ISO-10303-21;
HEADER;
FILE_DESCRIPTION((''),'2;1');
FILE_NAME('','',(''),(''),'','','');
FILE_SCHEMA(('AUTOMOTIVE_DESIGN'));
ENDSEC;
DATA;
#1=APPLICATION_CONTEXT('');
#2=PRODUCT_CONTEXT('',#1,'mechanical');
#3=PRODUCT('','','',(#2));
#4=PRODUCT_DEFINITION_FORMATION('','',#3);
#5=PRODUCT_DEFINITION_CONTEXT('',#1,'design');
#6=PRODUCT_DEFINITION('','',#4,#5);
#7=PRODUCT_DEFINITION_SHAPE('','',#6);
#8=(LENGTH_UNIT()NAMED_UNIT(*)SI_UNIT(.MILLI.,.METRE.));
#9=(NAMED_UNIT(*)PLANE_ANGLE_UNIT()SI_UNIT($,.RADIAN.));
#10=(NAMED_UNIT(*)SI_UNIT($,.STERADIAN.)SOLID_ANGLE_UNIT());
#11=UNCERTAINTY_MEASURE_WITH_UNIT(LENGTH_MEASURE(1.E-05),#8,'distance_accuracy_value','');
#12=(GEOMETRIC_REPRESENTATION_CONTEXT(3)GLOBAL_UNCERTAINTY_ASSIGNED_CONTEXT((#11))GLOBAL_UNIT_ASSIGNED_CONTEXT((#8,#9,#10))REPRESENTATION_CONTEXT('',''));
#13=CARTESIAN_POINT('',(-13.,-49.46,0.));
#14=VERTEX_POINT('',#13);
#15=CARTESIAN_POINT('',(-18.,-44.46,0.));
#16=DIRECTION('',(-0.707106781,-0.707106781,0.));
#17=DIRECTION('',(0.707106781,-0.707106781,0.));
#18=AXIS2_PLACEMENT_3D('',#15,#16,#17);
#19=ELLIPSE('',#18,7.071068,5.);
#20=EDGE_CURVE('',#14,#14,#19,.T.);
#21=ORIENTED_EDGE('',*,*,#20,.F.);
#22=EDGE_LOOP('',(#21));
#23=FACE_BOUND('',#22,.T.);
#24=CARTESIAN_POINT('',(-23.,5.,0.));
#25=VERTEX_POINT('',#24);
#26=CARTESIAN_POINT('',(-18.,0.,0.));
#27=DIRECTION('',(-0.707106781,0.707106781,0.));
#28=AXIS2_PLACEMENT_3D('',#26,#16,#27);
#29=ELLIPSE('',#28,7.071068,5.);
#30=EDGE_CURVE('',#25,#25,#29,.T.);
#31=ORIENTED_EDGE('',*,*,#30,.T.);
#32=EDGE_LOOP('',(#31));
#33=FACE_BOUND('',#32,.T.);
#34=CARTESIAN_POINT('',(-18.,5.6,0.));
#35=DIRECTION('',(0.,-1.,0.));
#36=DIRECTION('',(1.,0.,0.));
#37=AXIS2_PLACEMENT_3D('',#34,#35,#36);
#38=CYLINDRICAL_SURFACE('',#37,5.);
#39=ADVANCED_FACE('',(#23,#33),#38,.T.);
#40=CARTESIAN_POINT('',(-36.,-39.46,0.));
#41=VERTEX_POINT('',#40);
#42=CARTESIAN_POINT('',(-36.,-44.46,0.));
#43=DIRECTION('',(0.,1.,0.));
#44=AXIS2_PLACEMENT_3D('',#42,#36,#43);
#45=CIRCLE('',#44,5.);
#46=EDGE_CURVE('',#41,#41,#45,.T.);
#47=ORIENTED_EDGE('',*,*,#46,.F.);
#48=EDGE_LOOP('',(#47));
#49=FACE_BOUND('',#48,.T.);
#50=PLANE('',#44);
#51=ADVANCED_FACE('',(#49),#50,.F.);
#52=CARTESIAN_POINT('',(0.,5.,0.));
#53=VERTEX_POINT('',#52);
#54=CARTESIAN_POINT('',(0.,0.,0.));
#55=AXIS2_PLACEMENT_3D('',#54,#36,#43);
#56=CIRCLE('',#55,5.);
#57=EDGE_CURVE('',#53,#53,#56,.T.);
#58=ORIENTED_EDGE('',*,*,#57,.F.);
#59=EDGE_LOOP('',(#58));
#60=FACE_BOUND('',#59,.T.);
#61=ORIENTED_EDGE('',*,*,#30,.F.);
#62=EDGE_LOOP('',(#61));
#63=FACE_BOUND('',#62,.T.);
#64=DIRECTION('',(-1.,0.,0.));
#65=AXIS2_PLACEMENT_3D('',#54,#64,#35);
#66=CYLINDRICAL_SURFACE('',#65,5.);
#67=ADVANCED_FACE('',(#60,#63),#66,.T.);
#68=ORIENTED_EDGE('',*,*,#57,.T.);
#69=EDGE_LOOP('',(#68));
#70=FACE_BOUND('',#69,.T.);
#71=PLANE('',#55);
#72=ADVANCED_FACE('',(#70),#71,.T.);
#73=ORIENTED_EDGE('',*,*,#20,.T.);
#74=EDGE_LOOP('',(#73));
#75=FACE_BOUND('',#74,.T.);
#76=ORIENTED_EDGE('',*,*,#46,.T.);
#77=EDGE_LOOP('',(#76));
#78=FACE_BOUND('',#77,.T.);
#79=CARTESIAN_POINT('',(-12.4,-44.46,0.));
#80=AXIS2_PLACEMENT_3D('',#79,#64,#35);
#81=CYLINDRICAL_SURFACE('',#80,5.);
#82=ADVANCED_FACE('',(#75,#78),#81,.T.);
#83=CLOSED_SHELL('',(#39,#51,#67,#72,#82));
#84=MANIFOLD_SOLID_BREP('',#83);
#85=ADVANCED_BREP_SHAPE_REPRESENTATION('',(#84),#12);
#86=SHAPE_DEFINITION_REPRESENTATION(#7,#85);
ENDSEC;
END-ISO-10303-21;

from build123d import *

# Parameters (mm, degrees)
BARRER1_PROFILE_R = 5


with BuildPart() as part:
    # Barrer1: sweep along a path in Croquis1
    with BuildLine(Plane.XY) as barrer1_path:
        Line((0, 0), (-18, 0))
        Line((-18, 0), (-18, -44.46))
        Line((-18, -44.46), (-36, -44.46))
    # Barrer1 profile (on start of the path) → Barrer1 (sweep)
    with BuildSketch(Plane(origin=(0, 0, 0), x_dir=(0, -1, 0), z_dir=(-1, 0, 0))):
        Circle(BARRER1_PROFILE_R)
    sweep(path=barrer1_path.line, transition=Transition.RIGHT)


solid = part.part
